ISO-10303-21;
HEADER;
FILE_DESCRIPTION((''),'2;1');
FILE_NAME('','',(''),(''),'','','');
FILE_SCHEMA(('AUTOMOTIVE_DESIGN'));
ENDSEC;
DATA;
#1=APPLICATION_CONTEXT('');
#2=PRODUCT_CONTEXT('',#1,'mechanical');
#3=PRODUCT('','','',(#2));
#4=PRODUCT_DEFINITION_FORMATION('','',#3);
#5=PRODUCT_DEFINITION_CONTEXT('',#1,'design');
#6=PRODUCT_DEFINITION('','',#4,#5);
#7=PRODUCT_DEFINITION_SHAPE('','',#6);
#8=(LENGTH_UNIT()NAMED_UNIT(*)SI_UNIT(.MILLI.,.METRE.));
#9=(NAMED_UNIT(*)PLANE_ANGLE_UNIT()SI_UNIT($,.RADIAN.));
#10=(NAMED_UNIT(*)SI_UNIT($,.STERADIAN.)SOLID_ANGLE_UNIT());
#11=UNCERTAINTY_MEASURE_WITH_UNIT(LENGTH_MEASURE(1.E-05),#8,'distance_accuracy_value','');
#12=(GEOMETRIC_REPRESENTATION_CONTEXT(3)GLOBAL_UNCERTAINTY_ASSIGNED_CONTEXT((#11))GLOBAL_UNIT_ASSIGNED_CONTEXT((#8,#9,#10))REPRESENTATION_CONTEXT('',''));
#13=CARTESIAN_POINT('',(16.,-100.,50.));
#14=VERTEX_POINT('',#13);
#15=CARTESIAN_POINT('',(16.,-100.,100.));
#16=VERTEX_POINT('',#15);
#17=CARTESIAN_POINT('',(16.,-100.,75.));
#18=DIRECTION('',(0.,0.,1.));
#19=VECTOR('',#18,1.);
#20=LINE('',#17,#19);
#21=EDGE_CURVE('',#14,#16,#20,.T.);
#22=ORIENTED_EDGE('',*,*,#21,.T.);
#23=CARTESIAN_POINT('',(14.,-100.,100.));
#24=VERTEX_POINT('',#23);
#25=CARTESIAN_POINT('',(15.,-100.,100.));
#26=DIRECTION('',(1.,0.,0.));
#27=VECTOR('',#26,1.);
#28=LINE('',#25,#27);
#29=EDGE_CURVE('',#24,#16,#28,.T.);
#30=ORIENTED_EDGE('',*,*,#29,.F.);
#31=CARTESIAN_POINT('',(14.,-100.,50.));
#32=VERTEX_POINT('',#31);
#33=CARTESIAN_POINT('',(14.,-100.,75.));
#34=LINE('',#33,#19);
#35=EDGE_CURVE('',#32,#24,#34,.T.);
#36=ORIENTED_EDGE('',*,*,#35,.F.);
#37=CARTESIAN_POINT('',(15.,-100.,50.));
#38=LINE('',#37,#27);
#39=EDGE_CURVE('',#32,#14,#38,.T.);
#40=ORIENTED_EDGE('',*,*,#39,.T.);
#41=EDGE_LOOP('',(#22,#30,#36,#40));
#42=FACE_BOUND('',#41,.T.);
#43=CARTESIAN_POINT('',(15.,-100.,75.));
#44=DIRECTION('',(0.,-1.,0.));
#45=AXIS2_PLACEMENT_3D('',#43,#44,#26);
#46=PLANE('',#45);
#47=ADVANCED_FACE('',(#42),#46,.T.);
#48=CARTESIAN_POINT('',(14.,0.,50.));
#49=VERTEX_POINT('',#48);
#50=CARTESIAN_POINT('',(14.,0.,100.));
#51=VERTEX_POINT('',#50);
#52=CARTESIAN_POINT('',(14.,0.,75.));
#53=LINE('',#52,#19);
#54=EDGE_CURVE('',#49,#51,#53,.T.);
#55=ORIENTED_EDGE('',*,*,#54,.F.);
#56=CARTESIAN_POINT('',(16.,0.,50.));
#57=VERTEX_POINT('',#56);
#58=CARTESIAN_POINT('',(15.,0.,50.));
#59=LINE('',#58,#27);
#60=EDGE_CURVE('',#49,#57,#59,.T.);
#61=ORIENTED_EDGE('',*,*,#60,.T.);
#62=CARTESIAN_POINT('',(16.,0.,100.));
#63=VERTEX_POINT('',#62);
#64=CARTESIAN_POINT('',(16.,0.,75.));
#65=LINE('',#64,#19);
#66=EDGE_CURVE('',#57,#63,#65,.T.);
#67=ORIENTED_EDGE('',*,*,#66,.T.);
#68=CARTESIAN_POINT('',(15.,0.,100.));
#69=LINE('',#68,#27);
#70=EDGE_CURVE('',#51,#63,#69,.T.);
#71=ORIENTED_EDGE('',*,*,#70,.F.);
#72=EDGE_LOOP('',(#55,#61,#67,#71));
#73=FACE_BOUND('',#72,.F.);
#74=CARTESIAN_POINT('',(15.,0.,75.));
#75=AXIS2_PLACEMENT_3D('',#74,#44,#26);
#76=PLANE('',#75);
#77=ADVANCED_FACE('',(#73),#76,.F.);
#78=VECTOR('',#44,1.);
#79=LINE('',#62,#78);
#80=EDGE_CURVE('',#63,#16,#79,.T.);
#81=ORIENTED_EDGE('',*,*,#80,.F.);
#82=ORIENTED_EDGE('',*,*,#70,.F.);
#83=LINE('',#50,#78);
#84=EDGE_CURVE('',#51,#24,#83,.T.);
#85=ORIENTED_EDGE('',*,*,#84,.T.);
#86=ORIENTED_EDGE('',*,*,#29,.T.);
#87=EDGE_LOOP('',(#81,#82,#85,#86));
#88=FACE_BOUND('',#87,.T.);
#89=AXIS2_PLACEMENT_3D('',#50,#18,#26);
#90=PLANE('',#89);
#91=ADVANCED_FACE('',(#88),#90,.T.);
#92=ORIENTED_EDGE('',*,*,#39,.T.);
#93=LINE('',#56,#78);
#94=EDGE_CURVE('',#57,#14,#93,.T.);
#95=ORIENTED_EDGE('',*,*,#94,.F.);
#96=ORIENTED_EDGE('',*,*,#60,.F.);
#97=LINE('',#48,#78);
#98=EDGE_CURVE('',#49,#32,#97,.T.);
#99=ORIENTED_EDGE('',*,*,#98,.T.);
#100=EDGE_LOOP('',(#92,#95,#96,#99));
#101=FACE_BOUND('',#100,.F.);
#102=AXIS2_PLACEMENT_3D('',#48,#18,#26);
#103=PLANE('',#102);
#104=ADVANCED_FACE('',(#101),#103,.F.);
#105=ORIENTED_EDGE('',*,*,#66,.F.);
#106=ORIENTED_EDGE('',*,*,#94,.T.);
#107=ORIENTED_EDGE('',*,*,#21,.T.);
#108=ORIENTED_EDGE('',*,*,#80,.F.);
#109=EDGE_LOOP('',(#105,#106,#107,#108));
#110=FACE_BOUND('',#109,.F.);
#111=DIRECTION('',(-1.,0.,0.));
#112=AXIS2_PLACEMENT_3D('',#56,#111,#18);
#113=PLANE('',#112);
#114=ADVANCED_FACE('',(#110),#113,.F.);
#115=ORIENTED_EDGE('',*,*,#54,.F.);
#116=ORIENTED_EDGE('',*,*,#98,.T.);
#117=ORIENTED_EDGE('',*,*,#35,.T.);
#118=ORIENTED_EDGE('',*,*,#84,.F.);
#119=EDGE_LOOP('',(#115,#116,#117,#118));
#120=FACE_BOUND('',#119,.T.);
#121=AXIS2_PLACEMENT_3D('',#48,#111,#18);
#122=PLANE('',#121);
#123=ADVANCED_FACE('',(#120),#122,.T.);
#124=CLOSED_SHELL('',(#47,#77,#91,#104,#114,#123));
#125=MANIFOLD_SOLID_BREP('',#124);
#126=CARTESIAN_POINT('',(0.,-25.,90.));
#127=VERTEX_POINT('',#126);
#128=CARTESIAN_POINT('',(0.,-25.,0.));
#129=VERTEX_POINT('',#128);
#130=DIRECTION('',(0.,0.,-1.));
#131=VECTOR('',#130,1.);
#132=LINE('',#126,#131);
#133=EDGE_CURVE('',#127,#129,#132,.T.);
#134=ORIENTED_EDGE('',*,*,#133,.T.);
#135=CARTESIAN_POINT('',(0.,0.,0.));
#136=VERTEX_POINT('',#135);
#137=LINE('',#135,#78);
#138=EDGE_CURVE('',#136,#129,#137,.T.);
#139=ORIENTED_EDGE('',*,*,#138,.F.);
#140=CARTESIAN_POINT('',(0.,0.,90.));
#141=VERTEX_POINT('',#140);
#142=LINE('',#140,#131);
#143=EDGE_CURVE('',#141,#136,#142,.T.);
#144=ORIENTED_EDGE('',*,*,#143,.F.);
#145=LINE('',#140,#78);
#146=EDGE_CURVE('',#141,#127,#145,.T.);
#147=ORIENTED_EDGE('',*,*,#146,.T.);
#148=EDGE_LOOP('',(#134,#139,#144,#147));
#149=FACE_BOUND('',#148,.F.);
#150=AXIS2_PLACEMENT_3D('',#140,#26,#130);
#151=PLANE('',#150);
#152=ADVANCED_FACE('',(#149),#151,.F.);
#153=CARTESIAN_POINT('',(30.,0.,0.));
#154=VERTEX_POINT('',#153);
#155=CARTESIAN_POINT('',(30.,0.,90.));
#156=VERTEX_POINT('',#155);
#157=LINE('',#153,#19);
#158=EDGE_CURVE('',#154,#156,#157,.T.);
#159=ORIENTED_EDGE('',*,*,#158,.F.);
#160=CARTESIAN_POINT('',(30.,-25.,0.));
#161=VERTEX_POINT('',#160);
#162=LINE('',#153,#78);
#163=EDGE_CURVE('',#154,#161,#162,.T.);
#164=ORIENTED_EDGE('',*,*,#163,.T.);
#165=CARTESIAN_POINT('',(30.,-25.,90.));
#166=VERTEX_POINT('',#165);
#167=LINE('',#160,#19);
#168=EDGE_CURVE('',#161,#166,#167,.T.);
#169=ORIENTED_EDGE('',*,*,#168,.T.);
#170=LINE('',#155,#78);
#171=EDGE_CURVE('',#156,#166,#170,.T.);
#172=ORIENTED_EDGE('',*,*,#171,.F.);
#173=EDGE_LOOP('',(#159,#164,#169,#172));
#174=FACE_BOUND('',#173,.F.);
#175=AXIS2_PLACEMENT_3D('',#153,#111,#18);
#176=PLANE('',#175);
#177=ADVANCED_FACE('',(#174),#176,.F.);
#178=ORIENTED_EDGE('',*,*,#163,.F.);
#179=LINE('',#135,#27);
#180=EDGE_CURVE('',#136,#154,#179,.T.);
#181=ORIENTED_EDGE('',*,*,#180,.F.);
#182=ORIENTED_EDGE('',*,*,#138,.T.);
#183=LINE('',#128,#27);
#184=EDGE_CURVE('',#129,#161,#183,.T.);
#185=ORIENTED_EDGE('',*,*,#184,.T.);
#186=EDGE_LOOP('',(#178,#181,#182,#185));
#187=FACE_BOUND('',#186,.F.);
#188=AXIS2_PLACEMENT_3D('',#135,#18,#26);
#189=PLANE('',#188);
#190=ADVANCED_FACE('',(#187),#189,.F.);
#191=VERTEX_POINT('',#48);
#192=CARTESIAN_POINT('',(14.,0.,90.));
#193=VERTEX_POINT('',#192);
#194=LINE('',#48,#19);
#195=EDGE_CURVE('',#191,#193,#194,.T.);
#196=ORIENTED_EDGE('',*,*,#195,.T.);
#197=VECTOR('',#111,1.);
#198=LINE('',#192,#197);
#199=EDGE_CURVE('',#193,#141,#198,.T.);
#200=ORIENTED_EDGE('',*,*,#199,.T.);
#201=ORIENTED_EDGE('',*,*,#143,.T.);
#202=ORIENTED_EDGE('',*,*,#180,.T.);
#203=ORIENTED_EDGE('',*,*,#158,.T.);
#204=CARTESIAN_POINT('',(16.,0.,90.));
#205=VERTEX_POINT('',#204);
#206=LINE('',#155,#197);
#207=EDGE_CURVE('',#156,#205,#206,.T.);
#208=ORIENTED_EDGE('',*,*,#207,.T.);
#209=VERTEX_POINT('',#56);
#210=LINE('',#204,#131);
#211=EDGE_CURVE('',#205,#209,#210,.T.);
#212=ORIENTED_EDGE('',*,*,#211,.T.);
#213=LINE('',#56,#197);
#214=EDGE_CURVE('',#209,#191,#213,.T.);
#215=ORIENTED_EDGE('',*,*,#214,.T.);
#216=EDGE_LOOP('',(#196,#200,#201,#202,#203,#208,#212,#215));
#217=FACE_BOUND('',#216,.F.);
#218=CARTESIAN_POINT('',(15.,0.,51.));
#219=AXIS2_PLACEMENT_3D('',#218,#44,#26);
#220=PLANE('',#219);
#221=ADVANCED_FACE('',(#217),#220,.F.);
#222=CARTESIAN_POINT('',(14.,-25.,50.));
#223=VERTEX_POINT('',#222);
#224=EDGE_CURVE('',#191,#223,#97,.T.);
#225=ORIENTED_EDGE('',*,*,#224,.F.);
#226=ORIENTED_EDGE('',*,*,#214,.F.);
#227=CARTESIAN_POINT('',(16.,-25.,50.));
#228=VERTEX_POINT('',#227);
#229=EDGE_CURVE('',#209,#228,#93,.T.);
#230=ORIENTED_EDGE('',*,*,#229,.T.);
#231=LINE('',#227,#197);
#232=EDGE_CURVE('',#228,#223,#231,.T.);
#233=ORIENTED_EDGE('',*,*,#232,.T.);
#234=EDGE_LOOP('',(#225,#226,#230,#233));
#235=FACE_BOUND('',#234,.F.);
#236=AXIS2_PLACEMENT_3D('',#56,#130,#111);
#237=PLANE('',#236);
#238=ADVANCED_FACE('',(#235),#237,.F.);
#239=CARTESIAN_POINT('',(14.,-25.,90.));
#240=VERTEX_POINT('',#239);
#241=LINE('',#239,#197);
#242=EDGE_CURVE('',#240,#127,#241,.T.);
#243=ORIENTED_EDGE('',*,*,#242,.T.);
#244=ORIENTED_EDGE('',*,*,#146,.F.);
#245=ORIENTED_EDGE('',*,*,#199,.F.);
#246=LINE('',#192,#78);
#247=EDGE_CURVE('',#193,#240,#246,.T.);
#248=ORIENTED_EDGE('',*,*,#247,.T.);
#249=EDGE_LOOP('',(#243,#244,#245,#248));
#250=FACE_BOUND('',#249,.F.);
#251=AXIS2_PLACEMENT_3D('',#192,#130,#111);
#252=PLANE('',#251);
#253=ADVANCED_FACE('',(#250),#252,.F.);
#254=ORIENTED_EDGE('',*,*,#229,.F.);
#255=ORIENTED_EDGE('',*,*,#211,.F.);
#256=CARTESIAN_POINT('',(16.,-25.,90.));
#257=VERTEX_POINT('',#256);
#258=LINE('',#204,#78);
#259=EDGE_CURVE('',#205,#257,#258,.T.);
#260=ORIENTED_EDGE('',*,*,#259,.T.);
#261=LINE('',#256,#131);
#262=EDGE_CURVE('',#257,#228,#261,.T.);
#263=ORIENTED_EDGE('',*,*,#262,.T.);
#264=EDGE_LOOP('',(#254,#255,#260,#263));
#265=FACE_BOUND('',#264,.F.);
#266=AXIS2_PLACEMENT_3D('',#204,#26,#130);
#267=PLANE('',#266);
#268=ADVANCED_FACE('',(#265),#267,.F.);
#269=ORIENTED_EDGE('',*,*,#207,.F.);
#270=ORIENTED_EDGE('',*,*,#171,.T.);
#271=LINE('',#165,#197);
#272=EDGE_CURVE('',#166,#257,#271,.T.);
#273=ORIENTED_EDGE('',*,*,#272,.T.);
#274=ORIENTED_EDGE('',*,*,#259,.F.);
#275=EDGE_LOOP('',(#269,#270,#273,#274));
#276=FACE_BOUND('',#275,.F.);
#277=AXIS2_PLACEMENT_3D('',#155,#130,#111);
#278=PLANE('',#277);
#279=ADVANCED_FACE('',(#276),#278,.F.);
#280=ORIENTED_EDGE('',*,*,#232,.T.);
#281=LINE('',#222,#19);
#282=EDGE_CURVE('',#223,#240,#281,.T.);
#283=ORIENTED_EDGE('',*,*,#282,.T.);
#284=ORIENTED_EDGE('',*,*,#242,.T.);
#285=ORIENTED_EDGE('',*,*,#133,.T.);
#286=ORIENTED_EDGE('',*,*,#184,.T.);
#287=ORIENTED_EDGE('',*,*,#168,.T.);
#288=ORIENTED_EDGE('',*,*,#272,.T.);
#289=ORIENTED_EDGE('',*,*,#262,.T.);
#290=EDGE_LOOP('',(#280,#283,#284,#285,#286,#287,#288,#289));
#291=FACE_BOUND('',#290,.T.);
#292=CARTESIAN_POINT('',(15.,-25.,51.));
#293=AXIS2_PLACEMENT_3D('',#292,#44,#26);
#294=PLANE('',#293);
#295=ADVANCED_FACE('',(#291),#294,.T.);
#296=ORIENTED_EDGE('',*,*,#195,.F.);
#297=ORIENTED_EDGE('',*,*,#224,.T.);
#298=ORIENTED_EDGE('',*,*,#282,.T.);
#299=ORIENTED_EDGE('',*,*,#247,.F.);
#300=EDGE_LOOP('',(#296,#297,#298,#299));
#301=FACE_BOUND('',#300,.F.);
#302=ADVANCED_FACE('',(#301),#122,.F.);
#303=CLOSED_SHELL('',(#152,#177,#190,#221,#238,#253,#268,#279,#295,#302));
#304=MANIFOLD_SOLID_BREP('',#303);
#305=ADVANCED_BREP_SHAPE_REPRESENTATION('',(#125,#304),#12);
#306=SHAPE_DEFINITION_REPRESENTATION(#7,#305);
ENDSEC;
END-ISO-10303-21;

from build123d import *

# Parameters (mm, degrees)
F1_DEPTH = 25
F2_W     = 2
F2_H     = 50
F3_DEPTH = 100


with BuildPart() as f1:
    # F0 (on Front) → F1 (new body)
    with BuildSketch(Plane.XZ):
        Polygon((0, 90), (0, 0), (30, 0), (30, 90), (16, 90), (16, 50), (14, 50), (14, 90), align=None)
    extrude(amount=F1_DEPTH)


with BuildPart() as f3:
    # F2 (on Front) → F3 (new body)
    with BuildSketch(Plane.XZ):
        with Locations((15, 75)):
            Rectangle(F2_W, F2_H)
    extrude(amount=F3_DEPTH)


solid = Compound([f1.part, f3.part])
